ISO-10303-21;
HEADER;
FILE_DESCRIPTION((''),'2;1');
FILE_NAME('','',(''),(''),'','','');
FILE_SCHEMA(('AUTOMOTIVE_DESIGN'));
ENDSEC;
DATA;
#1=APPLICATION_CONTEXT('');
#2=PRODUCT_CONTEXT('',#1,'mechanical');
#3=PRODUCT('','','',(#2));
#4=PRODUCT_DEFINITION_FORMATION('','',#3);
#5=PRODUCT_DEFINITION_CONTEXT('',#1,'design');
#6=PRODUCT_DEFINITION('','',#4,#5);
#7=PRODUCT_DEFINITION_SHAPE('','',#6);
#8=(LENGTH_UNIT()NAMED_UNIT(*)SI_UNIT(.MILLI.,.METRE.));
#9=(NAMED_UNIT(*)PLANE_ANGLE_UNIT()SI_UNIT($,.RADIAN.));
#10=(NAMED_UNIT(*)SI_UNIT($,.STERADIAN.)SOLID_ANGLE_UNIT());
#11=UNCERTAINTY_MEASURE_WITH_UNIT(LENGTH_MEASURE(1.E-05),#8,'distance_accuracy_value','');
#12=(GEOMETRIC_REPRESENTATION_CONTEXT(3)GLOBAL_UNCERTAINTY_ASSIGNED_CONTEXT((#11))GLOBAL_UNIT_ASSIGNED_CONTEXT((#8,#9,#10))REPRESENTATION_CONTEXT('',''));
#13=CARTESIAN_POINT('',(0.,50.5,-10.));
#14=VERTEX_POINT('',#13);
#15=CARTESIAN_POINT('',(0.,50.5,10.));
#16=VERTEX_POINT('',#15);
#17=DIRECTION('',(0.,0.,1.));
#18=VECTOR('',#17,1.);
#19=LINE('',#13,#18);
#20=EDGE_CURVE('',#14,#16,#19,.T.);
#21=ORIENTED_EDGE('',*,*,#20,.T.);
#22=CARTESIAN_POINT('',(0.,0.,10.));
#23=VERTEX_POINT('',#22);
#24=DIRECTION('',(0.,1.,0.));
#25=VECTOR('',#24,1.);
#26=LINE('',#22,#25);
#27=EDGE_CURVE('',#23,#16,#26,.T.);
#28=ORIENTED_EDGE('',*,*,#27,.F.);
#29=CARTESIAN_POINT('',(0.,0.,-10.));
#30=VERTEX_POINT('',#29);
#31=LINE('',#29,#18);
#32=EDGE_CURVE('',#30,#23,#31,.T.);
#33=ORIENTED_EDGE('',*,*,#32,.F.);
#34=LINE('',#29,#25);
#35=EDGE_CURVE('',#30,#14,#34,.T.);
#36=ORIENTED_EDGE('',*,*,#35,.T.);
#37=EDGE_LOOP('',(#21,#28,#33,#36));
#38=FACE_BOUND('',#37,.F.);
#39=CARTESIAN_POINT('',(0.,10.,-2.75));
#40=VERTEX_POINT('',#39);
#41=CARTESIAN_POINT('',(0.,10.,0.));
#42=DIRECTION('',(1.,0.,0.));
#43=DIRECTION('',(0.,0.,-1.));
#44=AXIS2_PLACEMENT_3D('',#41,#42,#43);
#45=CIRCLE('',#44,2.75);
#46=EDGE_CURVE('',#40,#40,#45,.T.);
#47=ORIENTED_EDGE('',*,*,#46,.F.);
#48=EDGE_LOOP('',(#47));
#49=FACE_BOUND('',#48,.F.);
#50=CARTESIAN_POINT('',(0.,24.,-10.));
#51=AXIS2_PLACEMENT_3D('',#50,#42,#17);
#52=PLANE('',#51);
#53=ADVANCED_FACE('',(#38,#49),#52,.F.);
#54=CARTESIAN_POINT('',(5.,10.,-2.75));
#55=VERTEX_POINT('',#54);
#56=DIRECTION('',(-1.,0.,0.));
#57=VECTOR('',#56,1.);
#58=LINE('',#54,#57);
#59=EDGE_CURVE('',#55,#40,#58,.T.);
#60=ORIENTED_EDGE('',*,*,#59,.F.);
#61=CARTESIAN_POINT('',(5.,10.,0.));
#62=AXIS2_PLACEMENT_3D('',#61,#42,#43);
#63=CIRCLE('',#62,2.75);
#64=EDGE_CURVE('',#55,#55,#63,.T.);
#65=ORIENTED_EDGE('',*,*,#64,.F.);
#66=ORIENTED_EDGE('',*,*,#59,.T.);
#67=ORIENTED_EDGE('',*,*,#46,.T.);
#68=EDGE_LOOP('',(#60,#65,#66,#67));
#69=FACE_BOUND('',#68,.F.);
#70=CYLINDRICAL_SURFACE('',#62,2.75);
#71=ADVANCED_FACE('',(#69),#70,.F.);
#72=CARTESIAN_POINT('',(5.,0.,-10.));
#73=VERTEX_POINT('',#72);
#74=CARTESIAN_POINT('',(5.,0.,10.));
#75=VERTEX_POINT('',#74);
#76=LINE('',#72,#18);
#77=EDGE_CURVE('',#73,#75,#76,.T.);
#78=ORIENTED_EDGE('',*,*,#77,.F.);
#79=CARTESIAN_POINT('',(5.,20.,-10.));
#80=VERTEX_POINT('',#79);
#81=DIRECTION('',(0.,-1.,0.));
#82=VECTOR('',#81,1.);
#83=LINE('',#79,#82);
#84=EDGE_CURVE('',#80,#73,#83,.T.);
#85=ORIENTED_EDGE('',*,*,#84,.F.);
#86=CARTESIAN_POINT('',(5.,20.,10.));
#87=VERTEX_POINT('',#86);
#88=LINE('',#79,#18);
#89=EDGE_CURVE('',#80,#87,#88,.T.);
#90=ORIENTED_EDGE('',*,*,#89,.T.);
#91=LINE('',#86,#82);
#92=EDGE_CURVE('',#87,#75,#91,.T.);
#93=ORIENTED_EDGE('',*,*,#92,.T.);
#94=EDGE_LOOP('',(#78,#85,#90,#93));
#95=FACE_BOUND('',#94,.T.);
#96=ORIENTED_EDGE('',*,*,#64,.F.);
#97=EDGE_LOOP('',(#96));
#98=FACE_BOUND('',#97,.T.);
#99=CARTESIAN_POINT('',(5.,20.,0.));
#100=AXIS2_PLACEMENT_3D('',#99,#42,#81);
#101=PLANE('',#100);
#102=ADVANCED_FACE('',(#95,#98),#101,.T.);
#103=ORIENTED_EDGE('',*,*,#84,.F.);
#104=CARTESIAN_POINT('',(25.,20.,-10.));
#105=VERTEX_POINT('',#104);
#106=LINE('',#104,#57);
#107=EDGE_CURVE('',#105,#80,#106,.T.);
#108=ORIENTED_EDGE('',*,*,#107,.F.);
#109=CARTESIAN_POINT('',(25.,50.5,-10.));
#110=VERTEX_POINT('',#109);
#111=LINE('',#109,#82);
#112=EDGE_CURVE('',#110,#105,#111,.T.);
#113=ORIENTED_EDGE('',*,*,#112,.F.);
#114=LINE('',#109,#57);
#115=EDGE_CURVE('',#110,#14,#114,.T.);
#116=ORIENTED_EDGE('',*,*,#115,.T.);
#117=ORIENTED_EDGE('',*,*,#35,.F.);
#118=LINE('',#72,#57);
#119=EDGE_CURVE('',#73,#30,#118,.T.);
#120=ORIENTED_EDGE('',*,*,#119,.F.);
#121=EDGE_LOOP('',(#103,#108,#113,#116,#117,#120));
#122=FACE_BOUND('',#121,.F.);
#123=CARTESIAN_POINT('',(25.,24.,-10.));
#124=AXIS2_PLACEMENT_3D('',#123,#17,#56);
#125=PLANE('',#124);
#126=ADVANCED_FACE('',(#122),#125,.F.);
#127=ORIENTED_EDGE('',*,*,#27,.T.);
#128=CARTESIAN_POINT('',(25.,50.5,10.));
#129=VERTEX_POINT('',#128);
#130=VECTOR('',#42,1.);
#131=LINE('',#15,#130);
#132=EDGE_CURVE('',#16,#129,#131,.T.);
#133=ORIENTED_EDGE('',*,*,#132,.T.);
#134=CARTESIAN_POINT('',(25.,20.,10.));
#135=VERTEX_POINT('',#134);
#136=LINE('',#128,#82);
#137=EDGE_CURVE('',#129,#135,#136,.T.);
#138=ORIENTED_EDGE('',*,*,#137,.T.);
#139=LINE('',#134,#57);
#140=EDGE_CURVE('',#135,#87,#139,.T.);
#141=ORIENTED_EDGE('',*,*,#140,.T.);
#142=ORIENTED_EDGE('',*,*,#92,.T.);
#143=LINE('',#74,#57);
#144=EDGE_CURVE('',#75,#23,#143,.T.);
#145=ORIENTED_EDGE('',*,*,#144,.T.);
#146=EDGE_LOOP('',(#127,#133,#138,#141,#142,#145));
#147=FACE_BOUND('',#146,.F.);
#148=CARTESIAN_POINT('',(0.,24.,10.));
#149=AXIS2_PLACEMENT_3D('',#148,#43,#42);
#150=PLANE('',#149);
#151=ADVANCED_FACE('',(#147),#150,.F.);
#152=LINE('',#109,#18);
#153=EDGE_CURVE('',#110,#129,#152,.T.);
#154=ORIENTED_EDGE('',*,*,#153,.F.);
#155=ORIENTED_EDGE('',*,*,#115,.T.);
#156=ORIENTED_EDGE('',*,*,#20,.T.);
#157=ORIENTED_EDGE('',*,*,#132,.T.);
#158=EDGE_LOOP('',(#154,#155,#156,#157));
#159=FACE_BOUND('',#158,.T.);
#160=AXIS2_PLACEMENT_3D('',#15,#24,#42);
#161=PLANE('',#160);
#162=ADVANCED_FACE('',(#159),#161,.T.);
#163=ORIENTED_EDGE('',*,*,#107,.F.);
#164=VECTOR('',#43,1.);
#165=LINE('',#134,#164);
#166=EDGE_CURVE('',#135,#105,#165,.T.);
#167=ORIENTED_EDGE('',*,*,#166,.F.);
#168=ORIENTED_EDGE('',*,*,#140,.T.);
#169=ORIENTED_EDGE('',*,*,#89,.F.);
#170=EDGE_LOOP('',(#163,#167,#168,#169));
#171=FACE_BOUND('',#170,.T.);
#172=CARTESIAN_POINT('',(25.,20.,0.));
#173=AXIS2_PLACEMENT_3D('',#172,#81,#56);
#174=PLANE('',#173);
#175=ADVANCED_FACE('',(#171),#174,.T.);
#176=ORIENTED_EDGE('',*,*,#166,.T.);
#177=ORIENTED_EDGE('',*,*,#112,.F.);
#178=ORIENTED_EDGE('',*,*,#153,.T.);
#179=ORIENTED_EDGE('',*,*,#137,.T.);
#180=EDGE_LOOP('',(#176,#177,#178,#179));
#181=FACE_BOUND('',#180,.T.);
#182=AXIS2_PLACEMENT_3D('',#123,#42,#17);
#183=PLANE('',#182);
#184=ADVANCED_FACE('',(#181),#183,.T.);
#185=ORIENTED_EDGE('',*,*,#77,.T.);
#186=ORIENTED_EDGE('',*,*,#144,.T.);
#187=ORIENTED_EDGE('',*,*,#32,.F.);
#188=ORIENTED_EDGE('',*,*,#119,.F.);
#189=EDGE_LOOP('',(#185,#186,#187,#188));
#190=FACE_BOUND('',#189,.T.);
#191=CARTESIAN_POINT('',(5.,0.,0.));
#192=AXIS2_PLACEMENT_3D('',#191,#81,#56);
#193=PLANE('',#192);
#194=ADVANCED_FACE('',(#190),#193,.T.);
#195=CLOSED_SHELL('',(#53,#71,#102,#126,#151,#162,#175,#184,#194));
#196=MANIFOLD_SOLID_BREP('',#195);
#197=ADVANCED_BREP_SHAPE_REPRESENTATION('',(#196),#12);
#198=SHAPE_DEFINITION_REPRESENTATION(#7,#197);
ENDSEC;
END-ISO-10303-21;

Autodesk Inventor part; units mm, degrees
ref_plane "YZ Plane" through (0, 0, 0) normal (1, 0, 0) x (0, 1, 0)
ref_plane "XZ Plane" through (0, 0, 0) normal (0, 1, 0) x (-1, 0, 0)
ref_plane "XY Plane" through (0, 0, 0) normal (0, 0, 1) x (1, 0, 0)
sketch "Sketch1" plane through (0, 0, 0) normal (0, 0, 1) x (1, 0, 0)
  line L0 (0, 0) -> (0, 24)
  line L1 (0, 24) -> (25, 24)
  line L2 (25, 24) -> (25, 20)
  line L3 (25, 20) -> (5, 20)
  line L4 (5, 20) -> (5, 0)
  line L5 (5, 0) -> (0, 0)
  dimension "d0" = 24
  dimension "d1" = 25
  dimension "d2" = 90
  dimension "d3" = 4
  dimension "d4" = 90
  dimension "d5" = 20
extrude "Extrusion1" add sketch "Sketch1" along normal mid plane 20
sketch "Sketch2" plane through (5, 0, 10) normal (1, 0, 0) x (0, 0, -1)
  circle A0 centre (10, 10) radius 2.75
  point P0 (10, 0)
  dimension "d8" = 5.5
extrude "Extrusion2" cut sketch "Sketch2" against normal blind 20
sketch "Sketch3" plane through (0, 24, 10) normal (0, 1, 0) x (1, 0, 0)
  line L0 (0, 20) -> (0, 0) projected
  line L1 (25, 20) -> (25, 0) projected
  line L2 (0, 0) -> (25, 0)
  line L3 (25, 0) -> (25, 20)
  line L4 (25, 20) -> (0, 20)
  line L5 (0, 20) -> (0, 0)
  point P0 (0, 10)
extrude "Extrusion3" add sketch "Sketch3" along normal blind 26.5
properties part number "cylinder segment spacer"
